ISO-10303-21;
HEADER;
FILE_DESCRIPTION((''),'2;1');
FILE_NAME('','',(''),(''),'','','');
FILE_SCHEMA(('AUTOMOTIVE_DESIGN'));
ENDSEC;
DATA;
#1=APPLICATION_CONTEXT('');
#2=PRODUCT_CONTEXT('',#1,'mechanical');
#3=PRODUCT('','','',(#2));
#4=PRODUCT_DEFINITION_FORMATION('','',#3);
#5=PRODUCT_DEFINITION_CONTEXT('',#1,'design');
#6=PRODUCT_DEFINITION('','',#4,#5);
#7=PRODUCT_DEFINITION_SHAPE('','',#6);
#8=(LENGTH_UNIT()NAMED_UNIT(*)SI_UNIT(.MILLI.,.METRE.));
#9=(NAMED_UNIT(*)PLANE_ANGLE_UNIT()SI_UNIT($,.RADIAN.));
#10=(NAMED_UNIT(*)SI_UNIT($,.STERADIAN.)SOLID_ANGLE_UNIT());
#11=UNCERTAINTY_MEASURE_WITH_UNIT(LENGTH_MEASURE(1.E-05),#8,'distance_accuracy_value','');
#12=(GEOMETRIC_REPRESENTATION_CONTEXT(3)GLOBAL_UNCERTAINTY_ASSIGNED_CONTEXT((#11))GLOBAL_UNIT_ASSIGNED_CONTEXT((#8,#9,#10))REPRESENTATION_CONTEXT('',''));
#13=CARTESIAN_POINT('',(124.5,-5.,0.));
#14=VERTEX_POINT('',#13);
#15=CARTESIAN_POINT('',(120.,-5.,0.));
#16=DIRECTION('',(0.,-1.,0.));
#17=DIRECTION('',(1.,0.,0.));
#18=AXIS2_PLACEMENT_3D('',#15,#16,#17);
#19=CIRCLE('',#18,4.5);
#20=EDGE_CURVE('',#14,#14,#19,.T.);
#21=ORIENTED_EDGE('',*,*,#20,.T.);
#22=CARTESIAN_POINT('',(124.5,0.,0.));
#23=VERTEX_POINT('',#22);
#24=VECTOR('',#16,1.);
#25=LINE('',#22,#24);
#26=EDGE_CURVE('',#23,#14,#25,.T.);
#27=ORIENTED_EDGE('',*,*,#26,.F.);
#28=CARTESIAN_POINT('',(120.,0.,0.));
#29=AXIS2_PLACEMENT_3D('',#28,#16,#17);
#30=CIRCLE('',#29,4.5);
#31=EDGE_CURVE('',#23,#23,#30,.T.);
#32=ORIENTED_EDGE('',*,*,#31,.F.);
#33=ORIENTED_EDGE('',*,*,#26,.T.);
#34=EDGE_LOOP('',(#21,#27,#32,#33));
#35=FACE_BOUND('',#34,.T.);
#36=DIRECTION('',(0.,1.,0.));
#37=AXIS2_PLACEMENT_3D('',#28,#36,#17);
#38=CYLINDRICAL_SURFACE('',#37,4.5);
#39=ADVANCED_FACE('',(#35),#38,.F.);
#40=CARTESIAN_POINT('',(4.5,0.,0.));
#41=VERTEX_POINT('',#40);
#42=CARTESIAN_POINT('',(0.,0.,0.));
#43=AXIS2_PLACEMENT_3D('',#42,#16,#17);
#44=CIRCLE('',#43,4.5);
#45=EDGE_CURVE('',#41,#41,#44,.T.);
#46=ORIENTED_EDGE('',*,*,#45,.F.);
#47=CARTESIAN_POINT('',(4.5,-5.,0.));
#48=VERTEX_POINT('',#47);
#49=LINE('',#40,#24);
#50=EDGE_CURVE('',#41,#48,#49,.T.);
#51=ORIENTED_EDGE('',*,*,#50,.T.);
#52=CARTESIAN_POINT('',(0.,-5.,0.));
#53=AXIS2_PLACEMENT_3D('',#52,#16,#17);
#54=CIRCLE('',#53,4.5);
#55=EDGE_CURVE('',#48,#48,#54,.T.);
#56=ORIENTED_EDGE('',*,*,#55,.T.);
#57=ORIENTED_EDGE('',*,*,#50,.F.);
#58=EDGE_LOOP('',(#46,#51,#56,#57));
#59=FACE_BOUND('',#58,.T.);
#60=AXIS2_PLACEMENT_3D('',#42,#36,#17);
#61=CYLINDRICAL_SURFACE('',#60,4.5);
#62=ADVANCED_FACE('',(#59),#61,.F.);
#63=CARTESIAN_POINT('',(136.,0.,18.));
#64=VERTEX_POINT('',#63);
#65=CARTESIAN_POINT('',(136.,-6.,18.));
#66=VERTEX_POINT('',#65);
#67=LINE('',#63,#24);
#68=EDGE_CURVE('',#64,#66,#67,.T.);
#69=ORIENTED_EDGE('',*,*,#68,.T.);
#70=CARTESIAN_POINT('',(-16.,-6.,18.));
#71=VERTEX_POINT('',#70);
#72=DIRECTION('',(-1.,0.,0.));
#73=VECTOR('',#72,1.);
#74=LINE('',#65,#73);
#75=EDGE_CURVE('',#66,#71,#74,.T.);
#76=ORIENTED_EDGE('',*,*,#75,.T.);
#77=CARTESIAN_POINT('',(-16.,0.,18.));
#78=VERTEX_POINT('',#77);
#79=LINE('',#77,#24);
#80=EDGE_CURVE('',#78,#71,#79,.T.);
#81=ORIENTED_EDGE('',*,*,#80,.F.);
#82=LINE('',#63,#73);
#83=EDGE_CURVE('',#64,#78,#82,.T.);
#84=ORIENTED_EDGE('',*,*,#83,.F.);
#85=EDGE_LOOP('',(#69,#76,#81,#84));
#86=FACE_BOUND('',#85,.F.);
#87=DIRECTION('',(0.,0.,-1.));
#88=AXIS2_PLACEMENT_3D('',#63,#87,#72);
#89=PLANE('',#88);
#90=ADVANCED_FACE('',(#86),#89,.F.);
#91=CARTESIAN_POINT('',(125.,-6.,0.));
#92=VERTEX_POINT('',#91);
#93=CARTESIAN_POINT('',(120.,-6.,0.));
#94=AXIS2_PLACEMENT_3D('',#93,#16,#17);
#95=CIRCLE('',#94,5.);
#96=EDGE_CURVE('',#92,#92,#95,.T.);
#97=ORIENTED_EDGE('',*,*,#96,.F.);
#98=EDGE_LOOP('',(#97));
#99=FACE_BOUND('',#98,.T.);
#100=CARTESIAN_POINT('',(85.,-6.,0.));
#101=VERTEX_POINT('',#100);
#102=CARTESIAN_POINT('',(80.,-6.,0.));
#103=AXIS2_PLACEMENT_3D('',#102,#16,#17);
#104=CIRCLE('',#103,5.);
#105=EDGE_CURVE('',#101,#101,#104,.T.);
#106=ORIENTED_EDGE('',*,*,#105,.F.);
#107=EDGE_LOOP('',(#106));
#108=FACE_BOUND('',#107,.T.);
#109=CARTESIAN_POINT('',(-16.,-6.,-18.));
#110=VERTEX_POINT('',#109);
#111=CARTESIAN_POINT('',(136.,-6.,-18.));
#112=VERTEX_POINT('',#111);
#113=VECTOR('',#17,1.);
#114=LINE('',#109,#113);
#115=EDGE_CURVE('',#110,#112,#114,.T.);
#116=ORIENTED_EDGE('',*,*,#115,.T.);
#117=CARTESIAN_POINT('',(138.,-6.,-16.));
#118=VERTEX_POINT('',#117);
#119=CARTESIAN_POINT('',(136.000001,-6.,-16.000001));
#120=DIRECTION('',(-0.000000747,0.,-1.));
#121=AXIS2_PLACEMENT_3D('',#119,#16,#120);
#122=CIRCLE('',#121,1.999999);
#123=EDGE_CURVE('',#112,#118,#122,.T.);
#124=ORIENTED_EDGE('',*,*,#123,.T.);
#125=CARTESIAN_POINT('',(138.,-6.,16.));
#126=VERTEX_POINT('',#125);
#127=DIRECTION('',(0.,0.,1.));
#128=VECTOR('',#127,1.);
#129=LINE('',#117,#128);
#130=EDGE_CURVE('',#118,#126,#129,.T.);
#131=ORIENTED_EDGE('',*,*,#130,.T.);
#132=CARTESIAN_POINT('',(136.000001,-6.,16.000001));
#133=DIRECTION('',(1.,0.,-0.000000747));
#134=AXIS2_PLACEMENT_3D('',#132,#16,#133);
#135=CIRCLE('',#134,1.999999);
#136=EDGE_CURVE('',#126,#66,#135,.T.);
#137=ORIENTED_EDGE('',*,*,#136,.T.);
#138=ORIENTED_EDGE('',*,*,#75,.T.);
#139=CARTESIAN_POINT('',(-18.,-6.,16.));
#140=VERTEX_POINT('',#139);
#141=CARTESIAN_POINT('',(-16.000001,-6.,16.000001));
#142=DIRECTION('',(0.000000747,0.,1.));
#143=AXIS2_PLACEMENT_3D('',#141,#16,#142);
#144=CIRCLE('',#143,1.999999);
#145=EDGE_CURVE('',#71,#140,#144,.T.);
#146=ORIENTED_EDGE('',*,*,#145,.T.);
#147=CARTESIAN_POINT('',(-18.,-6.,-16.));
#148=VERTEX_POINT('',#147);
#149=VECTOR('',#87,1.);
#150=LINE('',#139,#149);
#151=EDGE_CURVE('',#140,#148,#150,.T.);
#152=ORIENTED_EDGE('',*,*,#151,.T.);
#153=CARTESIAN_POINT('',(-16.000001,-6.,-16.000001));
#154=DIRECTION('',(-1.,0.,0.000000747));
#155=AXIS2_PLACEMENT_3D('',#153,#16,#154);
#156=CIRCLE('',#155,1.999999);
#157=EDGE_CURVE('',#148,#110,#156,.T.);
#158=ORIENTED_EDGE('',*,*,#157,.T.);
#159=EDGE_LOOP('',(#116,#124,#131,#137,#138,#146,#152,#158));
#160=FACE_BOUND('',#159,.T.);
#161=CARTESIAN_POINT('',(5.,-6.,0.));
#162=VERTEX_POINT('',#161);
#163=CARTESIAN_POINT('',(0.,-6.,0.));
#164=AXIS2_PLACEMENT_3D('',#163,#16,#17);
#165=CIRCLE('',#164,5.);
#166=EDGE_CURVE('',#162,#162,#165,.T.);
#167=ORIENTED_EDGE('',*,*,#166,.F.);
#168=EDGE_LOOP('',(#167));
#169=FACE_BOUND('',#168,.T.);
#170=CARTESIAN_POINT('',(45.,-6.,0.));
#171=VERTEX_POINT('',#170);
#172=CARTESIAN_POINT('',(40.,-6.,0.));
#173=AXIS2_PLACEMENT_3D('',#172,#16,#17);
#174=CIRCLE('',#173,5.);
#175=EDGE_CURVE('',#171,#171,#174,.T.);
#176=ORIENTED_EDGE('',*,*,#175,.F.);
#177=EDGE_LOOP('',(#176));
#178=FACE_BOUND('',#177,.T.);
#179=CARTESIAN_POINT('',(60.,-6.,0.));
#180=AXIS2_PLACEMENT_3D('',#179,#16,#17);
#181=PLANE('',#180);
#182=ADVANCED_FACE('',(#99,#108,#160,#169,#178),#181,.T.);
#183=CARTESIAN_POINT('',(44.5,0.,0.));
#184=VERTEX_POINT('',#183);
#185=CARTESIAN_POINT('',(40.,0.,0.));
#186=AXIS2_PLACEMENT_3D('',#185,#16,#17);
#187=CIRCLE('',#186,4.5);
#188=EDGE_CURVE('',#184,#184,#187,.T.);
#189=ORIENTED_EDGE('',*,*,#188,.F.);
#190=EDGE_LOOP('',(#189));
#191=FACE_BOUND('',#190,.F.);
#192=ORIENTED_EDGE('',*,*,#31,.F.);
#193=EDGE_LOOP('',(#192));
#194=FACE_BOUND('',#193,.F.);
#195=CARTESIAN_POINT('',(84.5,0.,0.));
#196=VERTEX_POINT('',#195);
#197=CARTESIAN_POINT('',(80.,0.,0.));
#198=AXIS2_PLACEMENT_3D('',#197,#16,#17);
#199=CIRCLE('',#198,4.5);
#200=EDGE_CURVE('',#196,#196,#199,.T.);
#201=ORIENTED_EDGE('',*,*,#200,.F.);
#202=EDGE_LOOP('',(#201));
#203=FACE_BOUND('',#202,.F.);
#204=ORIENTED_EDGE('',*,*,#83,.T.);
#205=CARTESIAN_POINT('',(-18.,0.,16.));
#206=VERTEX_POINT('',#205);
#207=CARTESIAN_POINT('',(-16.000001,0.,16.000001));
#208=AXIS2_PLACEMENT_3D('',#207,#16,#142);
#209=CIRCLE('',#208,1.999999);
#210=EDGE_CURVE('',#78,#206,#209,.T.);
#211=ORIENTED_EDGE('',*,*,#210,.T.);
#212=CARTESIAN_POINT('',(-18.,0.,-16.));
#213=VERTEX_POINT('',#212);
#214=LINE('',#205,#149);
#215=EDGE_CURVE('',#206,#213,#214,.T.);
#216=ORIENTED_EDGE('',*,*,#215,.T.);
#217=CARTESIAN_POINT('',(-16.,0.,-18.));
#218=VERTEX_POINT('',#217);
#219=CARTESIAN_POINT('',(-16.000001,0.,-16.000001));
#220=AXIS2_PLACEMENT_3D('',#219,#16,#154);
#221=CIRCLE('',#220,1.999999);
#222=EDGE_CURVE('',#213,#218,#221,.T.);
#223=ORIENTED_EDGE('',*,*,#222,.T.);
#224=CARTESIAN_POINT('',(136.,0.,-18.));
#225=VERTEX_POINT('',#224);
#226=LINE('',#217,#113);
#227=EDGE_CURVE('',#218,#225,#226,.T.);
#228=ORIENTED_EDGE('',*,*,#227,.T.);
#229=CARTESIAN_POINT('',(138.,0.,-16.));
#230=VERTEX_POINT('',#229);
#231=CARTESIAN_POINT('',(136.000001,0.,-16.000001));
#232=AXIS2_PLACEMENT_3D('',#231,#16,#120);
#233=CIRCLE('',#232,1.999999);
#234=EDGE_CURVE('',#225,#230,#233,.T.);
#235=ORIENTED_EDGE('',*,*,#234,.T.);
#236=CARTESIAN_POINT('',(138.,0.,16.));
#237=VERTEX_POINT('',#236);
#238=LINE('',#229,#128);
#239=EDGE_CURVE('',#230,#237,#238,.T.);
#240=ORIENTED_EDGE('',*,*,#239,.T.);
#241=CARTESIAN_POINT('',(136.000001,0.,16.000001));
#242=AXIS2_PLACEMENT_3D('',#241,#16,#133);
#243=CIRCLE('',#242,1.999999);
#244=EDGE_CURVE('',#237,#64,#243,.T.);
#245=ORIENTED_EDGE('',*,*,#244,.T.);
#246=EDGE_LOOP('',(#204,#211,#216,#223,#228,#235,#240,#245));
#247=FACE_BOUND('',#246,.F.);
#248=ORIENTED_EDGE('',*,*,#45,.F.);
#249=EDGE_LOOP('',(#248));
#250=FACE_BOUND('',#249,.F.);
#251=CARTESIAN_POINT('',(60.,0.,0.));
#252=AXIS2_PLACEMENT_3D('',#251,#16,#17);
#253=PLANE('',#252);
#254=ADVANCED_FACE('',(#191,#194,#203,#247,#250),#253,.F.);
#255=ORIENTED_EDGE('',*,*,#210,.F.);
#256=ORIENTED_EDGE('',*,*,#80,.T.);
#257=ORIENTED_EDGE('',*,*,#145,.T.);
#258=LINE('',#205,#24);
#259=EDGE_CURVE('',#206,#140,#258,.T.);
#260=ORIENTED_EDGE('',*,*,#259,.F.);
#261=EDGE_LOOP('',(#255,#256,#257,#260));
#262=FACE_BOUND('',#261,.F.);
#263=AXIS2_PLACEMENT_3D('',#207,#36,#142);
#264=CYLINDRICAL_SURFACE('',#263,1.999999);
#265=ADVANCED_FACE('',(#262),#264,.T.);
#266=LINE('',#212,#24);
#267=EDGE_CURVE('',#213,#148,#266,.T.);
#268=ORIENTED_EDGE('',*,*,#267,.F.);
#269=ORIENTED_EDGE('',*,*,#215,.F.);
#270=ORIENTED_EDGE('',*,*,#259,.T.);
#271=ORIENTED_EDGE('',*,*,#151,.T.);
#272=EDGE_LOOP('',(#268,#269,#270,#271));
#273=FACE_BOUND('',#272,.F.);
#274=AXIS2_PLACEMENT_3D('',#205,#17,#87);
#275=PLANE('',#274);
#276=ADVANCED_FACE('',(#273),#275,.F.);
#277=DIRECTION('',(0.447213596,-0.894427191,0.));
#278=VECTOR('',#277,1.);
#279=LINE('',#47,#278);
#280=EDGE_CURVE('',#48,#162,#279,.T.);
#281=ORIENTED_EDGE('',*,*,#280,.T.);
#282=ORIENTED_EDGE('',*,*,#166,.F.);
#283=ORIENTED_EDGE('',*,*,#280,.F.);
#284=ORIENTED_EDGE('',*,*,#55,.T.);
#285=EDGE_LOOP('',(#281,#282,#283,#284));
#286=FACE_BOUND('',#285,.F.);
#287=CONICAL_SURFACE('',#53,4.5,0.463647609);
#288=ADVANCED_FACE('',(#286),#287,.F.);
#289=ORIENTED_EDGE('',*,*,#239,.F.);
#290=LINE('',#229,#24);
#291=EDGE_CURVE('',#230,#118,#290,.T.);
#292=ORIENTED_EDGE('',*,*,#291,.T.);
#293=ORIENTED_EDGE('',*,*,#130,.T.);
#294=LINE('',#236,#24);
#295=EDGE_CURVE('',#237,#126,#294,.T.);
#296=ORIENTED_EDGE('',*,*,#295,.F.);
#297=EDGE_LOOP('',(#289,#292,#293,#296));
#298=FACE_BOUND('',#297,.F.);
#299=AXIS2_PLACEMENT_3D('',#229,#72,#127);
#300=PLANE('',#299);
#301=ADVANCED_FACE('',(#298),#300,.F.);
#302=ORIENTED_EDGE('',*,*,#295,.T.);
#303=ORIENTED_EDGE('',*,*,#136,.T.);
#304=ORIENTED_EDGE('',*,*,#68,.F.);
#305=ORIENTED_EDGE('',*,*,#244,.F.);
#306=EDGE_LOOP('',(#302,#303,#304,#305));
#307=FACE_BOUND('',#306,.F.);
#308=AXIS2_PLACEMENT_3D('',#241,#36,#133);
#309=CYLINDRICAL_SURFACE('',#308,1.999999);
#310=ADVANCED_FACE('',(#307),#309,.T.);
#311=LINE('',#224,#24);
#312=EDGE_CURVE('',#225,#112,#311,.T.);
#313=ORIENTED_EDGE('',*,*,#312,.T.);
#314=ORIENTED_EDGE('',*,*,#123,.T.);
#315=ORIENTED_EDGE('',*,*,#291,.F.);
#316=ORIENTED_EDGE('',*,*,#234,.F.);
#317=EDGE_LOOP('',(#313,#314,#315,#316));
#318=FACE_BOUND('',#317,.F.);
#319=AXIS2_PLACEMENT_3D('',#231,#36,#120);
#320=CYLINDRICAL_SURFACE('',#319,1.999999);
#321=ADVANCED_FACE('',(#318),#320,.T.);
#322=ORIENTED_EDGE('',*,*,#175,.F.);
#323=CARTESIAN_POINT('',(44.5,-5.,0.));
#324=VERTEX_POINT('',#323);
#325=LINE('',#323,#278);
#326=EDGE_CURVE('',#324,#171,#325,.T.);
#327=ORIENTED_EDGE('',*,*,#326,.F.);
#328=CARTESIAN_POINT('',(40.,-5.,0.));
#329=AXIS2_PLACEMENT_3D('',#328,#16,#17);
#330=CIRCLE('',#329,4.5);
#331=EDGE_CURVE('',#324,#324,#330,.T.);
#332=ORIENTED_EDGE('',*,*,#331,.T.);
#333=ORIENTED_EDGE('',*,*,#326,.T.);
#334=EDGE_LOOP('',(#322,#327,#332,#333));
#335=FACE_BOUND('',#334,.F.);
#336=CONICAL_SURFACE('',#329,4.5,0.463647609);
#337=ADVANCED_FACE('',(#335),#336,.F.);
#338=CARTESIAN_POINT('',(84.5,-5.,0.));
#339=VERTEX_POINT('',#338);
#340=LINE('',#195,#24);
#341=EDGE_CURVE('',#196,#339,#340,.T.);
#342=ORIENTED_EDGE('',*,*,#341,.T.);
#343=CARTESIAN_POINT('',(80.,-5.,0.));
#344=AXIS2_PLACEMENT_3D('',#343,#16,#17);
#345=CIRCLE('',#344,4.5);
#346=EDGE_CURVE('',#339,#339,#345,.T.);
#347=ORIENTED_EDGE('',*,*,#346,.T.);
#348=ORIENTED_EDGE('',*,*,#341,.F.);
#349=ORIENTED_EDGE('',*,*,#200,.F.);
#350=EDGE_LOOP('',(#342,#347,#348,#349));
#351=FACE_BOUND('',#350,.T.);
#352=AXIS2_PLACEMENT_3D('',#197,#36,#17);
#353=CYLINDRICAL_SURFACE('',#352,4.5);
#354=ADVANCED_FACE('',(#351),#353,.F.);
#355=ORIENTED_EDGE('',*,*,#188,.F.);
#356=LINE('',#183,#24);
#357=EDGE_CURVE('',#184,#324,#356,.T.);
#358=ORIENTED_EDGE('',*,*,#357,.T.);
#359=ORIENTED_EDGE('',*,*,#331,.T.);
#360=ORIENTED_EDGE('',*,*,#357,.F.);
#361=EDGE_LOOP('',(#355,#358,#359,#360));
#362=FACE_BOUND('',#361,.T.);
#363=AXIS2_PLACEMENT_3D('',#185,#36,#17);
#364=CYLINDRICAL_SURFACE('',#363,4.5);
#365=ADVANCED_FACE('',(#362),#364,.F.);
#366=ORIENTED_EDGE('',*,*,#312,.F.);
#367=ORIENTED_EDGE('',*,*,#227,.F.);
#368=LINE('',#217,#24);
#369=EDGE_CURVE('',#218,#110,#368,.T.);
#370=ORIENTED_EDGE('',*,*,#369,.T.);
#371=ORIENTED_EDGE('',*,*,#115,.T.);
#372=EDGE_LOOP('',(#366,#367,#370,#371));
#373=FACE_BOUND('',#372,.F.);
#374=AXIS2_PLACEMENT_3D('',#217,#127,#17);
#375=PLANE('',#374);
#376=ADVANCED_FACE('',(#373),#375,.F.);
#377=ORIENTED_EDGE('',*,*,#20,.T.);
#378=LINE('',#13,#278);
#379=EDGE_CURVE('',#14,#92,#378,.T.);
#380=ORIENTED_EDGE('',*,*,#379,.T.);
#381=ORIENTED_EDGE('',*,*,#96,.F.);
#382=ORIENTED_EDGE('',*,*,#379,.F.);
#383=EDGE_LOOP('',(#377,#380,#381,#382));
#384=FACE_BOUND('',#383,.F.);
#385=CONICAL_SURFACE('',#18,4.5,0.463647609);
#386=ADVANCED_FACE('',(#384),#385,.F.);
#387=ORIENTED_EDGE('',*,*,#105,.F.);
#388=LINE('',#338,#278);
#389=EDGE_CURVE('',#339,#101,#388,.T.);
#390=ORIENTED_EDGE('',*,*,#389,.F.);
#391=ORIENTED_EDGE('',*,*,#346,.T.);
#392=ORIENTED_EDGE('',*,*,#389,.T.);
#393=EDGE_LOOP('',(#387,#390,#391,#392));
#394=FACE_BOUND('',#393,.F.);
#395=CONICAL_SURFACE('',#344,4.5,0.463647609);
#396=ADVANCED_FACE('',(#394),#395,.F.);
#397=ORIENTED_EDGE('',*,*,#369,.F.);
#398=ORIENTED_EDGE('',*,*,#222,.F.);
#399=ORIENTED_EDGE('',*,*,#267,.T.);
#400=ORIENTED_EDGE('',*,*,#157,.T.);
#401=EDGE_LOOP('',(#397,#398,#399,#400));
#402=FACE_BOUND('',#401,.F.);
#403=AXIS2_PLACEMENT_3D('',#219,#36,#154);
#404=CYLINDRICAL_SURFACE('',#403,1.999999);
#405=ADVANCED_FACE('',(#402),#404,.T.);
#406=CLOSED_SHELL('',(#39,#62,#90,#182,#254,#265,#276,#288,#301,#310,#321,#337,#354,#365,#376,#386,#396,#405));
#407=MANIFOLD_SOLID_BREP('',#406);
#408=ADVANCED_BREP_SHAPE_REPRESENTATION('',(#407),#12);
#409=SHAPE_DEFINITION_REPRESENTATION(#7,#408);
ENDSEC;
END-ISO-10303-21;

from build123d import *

# Parameters (mm, degrees)
F0_R     = 4.5
F1_DEPTH = 6
F2_SIZE2 = 0.5
F2_SIZE  = 1


with BuildPart() as f1:
    # F0 (on Front) → F1 (new body)
    with BuildSketch(Plane.XZ):
        with BuildLine():
            Line((136, 18), (-16, 18))
            ThreePointArc((-16, 18), (-17.414214, 17.414214), (-18, 16))
            Line((-18, 16), (-18, -16))
            ThreePointArc((-18, -16), (-17.414214, -17.414214), (-16, -18))
            Line((-16, -18), (136, -18))
            ThreePointArc((136, -18), (137.414214, -17.414214), (138, -16))
            Line((138, -16), (138, 16))
            ThreePointArc((138, 16), (137.414214, 17.414214), (136, 18))
        make_face()
        Circle(F0_R, mode=Mode.SUBTRACT)
        with Locations((40, 0)):
            Circle(F0_R, mode=Mode.SUBTRACT)
        with Locations((80, 0)):
            Circle(F0_R, mode=Mode.SUBTRACT)
        with Locations((120, 0)):
            Circle(F0_R, mode=Mode.SUBTRACT)
    extrude(amount=F1_DEPTH)

    # F2
    f2_edges = [f1.edges().sort_by_distance(p)[0] for p in [
        (-4.5, -6, 0),
        (35.5, -6, 0),
        (75.5, -6, 0),
        (115.5, -6, 0),
    ]]
    chamfer(f2_edges, length=F2_SIZE, length2=F2_SIZE2)


solid = f1.part
